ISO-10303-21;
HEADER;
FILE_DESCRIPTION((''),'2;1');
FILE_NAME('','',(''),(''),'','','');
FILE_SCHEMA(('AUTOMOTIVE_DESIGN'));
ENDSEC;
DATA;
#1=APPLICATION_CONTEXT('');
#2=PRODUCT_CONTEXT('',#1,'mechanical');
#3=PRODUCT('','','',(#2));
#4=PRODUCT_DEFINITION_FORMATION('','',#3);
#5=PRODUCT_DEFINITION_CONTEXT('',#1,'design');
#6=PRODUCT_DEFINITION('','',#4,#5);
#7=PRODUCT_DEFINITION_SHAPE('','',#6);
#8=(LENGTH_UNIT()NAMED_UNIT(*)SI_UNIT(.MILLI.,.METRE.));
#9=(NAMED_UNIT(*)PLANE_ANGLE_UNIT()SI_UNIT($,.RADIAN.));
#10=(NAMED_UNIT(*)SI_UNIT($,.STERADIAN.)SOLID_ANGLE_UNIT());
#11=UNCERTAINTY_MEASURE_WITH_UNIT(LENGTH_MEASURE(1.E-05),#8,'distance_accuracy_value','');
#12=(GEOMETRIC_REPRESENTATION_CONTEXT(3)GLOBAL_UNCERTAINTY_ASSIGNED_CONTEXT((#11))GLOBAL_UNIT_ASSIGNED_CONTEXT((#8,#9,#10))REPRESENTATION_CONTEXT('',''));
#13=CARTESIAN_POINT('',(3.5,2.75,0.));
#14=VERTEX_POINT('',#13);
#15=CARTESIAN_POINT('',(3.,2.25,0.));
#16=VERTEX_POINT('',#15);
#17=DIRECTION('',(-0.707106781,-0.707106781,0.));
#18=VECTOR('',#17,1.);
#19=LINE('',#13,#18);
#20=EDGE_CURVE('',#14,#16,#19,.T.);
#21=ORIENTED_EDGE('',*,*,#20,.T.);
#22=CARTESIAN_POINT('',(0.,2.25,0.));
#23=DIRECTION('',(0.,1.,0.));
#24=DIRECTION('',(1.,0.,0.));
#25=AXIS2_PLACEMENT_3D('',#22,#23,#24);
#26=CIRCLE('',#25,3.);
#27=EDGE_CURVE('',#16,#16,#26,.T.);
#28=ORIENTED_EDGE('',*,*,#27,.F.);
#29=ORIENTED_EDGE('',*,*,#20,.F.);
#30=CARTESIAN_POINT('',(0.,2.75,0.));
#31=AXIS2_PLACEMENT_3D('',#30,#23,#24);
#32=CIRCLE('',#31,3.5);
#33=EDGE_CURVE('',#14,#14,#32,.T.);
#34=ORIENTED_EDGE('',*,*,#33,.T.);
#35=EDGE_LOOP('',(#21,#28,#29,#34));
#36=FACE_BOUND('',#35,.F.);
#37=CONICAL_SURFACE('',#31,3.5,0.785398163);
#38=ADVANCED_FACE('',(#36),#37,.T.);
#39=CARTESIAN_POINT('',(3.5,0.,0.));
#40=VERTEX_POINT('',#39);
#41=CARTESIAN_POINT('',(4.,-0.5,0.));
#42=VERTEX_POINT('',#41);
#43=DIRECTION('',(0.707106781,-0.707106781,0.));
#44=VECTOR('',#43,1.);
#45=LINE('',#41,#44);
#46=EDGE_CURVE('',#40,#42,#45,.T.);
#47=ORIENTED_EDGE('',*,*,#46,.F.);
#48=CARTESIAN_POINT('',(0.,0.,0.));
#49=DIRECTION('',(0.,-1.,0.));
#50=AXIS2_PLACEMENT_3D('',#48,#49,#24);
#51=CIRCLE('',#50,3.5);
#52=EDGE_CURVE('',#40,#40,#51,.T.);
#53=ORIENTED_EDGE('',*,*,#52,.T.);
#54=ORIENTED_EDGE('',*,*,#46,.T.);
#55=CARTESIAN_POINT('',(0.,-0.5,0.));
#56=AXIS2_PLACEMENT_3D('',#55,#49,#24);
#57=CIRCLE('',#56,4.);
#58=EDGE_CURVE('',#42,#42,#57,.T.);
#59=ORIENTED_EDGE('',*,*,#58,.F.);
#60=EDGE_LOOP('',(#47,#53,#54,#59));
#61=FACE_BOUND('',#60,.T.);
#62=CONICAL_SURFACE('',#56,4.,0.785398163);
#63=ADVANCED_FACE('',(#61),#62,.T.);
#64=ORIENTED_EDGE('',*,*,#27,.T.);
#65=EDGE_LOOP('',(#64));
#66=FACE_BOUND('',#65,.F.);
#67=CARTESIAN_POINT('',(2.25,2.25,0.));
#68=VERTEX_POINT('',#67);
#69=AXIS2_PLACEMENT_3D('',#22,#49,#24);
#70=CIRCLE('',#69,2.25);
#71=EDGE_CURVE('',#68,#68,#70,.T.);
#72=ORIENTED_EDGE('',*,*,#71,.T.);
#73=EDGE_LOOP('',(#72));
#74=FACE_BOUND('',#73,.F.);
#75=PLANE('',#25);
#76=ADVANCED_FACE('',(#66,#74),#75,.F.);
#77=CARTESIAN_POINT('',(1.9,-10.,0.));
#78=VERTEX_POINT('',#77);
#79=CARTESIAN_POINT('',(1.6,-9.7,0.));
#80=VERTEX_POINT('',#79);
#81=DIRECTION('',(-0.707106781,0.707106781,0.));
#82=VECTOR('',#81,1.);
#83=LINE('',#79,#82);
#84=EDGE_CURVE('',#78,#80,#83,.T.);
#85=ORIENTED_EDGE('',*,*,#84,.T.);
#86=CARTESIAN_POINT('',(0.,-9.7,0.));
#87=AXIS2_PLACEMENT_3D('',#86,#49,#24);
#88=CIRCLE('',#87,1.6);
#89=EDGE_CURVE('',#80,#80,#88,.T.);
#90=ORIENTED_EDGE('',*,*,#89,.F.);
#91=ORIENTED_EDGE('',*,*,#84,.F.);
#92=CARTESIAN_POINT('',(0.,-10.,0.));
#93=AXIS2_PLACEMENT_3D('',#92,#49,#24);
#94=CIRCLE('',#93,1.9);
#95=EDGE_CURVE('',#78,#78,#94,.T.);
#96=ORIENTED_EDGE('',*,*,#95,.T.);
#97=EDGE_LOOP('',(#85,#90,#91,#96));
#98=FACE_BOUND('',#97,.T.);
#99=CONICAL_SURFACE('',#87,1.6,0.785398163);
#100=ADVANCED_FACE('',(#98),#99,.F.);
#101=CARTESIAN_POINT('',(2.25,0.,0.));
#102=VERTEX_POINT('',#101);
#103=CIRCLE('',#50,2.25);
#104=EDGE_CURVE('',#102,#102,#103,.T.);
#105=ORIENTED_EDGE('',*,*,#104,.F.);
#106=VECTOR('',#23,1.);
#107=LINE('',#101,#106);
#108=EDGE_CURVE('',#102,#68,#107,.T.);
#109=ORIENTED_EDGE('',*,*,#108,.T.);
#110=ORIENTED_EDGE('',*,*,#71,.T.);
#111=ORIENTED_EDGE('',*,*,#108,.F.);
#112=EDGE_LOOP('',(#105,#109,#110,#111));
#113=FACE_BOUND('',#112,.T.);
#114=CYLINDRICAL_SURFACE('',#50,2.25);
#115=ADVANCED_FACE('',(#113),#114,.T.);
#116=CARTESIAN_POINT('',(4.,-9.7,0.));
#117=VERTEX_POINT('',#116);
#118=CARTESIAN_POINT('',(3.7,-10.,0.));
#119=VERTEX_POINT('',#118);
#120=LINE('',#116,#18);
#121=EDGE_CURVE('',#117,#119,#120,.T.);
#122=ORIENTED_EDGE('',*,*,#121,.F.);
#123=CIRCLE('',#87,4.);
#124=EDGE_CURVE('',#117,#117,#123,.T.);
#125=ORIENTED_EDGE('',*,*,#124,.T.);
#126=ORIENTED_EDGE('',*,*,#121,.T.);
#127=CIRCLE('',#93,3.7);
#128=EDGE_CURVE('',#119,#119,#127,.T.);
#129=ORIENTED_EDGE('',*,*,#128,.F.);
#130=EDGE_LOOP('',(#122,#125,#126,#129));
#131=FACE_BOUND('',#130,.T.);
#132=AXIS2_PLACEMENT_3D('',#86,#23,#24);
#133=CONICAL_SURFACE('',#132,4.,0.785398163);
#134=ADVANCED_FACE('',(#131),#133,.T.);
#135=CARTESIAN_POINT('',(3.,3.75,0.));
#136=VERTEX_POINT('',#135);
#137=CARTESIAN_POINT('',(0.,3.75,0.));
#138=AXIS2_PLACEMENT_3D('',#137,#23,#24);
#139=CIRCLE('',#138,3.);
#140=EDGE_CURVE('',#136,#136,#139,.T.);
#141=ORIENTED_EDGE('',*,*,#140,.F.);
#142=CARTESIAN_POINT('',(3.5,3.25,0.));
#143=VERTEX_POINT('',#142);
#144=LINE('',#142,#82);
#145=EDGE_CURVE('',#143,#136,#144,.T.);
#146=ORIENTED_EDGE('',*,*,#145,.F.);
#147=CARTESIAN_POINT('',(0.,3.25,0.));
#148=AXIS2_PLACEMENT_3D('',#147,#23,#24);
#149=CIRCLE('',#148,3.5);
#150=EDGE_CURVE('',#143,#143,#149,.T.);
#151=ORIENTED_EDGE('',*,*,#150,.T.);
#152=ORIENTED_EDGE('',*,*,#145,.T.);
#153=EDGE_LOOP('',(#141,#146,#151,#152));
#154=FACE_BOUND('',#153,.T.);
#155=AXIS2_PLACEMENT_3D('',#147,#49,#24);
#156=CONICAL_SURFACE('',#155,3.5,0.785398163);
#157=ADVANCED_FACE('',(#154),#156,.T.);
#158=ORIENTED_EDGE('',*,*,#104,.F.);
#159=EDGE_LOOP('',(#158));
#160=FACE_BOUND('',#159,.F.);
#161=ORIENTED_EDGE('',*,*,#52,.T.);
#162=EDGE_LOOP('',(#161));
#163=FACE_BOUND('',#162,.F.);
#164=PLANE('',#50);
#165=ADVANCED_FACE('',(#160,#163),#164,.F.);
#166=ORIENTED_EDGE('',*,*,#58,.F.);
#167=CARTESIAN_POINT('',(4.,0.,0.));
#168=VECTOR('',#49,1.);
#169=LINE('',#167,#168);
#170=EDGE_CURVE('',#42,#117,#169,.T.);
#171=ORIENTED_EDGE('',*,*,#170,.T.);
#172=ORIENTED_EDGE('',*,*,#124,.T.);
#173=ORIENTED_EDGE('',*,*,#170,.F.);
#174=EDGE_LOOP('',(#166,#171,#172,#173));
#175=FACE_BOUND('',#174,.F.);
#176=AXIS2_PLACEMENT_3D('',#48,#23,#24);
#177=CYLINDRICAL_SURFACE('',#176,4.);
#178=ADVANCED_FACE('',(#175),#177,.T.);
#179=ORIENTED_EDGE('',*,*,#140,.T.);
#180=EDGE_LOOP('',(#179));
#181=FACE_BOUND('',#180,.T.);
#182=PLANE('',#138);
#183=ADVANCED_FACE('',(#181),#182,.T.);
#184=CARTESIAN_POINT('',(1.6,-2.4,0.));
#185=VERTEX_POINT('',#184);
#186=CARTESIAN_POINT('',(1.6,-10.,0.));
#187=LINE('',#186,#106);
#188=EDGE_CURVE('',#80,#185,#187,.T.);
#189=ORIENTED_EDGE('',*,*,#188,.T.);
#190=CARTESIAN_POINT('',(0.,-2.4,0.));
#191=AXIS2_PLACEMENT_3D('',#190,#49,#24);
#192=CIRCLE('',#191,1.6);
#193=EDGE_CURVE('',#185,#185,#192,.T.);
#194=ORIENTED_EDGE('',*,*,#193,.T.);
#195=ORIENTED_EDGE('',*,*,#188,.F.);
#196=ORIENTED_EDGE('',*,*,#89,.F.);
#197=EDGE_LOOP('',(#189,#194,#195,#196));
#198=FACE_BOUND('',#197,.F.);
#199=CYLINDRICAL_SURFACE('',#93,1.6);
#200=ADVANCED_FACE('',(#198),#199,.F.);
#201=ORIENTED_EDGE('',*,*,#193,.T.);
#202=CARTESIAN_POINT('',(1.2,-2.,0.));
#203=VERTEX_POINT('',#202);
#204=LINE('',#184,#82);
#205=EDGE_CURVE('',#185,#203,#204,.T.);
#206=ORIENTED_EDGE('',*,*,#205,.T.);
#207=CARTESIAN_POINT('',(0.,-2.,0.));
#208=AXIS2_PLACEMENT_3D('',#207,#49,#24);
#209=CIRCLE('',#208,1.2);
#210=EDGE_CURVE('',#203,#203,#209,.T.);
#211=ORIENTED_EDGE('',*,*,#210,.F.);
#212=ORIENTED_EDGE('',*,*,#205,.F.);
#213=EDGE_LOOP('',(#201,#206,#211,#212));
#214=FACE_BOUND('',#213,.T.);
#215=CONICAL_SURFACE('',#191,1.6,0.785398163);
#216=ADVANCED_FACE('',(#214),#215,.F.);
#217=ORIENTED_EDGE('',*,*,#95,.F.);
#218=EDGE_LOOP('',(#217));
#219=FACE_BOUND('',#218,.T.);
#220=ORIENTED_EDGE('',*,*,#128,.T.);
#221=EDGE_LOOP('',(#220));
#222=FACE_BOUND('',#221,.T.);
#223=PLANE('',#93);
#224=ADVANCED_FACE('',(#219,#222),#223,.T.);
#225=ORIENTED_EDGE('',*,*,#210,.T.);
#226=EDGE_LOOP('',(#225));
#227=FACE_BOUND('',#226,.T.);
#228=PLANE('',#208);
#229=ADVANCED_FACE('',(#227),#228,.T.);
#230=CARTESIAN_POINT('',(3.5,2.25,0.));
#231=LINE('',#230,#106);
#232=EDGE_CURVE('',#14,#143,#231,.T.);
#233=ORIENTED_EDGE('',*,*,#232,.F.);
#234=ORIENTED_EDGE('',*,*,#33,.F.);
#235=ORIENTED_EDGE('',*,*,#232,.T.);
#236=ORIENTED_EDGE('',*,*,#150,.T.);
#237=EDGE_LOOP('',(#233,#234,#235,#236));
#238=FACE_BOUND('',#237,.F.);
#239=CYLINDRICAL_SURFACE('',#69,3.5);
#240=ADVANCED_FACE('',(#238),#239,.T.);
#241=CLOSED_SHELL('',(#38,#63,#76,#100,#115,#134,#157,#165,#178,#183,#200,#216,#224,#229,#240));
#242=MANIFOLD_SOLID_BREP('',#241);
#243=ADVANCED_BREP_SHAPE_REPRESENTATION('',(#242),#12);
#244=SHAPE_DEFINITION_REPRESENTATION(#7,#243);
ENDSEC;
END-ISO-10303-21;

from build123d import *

# Parameters (mm, degrees)
SKETCH_R        = 4
PAD_DEPTH       = 10
SKETCH001_R     = 2.25
PAD001_DEPTH    = 2.25
SKETCH002_R     = 3.5
PAD002_DEPTH    = 1.5
CHAMFER_SIZE    = 0.5
SKETCH003_R     = 1.6
POCKET_DEPTH    = 8
CHAMFER001_SIZE = 0.3
CHAMFER002_SIZE = 0.4


with BuildPart() as part:
    # Sketch → Pad (new body)
    with BuildSketch(Plane.XZ):
        Circle(SKETCH_R)
    extrude(amount=PAD_DEPTH)

    # Sketch001 → Pad001 (join)
    with BuildSketch(Plane.XZ):
        Circle(SKETCH001_R)
    extrude(amount=-PAD001_DEPTH)

    # Sketch002 (on Face5 of Pad001) → Pad002 (join)
    with BuildSketch(Plane(origin=(0, 2.25, 0), x_dir=(1, 0, 0), z_dir=(0, 1, 0))):
        Circle(SKETCH002_R)
    extrude(amount=PAD002_DEPTH)

    # Chamfer
    chamfer_edges = [part.edges().sort_by_distance(p)[0] for p in [
        (-3.5, 3.75, 0),
        (-3.5, 2.25, 0),
        (-4, 0, 0),
    ]]
    chamfer(chamfer_edges, length=CHAMFER_SIZE)

    # Sketch003 (on Face3 of Chamfer) → Pocket (cut)
    with BuildSketch(Plane.XZ.offset(10)):
        Circle(SKETCH003_R)
    extrude(amount=-POCKET_DEPTH, mode=Mode.SUBTRACT)

    # Chamfer001
    chamfer001_edges = [part.edges().sort_by_distance(p)[0] for p in [
        (-4, -10, 0),
        (-1.6, -10, 0),
    ]]
    chamfer(chamfer001_edges, length=CHAMFER001_SIZE)

    # Chamfer002
    chamfer002_edges = [part.edges().sort_by_distance(p)[0] for p in [
        (-1.6, -2, 0),
    ]]
    chamfer(chamfer002_edges, length=CHAMFER002_SIZE)


solid = part.part
